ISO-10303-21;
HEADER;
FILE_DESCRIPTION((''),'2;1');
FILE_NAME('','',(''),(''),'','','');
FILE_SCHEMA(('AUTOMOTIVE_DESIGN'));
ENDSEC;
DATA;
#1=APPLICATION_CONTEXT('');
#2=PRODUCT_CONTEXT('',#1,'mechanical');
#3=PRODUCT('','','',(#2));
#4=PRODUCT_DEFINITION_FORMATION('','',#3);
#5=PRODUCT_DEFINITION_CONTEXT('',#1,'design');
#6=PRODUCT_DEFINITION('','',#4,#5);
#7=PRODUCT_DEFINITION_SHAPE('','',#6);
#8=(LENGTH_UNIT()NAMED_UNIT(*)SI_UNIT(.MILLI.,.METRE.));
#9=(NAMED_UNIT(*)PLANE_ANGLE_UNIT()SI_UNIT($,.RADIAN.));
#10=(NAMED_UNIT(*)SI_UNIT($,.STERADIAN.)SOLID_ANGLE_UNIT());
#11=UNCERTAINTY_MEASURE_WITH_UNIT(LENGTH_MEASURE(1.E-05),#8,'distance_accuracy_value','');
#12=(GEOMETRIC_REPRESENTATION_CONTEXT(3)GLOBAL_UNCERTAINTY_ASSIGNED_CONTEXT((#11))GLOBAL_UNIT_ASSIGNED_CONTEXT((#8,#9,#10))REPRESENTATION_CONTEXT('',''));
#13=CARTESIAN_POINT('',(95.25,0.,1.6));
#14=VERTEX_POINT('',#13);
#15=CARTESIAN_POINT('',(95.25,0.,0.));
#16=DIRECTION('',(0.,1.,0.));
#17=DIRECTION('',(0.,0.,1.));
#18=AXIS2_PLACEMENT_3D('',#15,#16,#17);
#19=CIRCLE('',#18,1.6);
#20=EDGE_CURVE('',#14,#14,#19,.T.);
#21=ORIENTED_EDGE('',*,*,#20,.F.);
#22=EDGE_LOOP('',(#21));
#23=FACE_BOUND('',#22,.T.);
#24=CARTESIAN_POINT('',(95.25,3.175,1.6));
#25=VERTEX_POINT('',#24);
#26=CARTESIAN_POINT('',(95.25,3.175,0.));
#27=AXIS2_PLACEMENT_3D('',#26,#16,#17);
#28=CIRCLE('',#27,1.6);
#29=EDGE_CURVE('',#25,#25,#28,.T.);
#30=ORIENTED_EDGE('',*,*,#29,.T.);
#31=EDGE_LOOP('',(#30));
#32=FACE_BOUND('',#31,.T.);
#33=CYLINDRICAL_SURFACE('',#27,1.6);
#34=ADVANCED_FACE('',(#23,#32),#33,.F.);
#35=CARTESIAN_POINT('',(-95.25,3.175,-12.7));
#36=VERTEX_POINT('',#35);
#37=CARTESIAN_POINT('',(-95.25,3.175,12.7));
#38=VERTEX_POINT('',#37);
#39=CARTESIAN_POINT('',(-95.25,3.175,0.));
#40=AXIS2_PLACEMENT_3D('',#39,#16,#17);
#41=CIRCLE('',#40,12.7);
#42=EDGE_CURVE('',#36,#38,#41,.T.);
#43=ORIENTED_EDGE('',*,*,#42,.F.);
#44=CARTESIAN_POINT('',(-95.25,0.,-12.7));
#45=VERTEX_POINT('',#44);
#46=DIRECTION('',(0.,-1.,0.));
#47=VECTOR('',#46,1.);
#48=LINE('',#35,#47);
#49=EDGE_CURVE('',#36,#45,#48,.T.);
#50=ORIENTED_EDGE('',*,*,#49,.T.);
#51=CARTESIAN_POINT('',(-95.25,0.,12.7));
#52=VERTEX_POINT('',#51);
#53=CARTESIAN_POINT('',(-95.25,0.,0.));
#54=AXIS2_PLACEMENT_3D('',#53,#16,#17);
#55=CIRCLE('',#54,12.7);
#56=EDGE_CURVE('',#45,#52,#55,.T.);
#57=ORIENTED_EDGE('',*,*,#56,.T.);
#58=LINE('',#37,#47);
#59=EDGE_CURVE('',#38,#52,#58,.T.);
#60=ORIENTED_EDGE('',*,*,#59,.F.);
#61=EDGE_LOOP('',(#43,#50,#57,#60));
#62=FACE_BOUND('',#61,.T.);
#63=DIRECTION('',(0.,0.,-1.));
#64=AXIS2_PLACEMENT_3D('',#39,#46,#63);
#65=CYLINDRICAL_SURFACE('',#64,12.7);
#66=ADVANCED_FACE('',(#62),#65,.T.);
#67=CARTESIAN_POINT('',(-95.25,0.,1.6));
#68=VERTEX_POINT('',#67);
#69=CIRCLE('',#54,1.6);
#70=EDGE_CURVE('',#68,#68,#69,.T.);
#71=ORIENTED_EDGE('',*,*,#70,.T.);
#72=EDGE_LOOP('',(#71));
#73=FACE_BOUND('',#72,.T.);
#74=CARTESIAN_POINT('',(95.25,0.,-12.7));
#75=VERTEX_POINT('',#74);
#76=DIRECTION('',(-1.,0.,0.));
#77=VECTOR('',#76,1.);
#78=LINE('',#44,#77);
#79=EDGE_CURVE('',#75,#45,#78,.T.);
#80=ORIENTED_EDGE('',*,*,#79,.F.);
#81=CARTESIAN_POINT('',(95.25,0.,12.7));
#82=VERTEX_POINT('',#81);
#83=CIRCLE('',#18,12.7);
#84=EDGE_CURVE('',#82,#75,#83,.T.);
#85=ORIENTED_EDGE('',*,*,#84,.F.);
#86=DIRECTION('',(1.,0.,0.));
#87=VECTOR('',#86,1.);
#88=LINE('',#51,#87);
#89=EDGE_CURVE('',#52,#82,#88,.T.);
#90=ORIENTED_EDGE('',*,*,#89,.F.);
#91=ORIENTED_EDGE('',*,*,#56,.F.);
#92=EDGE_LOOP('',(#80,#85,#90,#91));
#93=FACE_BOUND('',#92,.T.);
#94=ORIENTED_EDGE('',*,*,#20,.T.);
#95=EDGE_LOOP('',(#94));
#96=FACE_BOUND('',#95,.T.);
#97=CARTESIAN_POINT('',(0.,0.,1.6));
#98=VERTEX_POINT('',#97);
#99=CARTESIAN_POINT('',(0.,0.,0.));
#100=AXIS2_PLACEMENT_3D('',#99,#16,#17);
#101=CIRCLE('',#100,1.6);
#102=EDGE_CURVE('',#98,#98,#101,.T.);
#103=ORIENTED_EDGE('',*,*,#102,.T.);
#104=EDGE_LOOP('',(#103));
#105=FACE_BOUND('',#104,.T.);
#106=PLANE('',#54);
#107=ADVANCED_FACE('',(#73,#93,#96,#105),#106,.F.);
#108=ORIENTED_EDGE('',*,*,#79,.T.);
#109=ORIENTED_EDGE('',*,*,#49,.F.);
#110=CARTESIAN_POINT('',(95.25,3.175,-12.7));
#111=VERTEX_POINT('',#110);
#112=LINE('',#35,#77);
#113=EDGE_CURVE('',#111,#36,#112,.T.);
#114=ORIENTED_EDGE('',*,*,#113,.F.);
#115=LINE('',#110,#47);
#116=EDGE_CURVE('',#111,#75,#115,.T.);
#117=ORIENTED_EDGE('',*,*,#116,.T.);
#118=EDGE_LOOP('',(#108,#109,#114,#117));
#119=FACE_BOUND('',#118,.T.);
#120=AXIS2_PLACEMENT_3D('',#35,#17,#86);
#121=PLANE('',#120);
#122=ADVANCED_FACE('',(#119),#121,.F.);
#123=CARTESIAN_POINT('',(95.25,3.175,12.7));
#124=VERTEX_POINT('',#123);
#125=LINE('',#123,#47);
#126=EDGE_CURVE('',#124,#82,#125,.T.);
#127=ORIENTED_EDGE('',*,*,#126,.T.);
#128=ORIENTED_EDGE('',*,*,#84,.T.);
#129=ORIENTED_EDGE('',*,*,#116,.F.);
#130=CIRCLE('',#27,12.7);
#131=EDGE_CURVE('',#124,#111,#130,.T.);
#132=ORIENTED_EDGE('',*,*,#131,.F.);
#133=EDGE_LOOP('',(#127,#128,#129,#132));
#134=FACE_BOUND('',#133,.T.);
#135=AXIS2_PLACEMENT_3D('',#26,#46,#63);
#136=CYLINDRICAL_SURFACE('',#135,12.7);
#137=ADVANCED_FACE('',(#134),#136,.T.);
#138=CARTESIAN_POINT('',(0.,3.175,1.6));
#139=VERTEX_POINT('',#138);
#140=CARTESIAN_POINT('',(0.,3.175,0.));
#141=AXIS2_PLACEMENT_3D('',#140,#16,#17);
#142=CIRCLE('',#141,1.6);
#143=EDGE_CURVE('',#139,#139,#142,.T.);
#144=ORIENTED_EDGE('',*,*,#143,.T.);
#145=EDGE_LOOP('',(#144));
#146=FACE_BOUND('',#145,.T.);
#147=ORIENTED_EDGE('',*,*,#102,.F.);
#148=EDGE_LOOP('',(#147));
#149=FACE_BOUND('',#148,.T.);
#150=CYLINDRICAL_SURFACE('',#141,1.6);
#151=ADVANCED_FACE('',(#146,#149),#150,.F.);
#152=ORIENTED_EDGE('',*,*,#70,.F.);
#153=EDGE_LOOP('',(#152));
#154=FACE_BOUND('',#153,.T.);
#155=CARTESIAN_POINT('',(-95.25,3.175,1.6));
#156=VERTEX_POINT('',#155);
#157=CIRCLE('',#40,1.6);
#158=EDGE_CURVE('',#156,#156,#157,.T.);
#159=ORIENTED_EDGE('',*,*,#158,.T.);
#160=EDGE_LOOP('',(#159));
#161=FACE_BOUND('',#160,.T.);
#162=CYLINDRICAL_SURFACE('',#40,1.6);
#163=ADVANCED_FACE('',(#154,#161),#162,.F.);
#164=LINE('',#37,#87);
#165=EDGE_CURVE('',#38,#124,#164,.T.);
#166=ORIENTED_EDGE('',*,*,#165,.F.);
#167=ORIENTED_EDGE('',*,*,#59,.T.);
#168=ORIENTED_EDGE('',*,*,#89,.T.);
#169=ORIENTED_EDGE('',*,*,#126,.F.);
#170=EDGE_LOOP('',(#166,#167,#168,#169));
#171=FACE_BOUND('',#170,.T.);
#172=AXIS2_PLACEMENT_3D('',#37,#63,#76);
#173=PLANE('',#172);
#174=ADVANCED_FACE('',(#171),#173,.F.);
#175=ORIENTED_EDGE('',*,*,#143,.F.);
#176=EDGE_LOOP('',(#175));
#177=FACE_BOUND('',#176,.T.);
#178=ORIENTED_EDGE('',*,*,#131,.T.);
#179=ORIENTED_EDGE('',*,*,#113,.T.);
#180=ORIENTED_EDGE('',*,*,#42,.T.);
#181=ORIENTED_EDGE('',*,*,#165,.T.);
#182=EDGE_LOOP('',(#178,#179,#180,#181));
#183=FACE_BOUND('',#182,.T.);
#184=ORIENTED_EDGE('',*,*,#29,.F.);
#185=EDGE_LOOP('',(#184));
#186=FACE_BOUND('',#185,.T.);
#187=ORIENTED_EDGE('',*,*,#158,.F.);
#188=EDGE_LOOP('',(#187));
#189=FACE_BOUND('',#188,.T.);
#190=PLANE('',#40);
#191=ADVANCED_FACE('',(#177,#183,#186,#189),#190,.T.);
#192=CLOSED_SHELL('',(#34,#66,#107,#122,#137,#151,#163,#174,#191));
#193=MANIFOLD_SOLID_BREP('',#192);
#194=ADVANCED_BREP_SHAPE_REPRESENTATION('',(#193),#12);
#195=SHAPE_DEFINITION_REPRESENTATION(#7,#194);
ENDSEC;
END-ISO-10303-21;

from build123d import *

# Parameters (mm, degrees)
BOSS_EXTRUDE1_DEPTH  = 3.175
M3_CLEARANCE_HOLE1_D = 3.2


with BuildPart() as part:
    # Sketch1 → Boss-Extrude1 (new body)
    with BuildSketch(Plane(origin=(0, 0, 0), x_dir=(1, 0, 0), z_dir=(0, 1, 0))):
        with BuildLine():
            Line((-95.25, 12.7), (95.25, 12.7))
            ThreePointArc((95.25, 12.7), (107.95, 0), (95.25, -12.7))
            Line((95.25, -12.7), (-95.25, -12.7))
            ThreePointArc((-95.25, -12.7), (-107.95, 0), (-95.25, 12.7))
        make_face()
    extrude(amount=BOSS_EXTRUDE1_DEPTH)

    # M3 Clearance Hole1 (through all)
    with Locations(Plane(origin=(0, 3.175, 0), x_dir=(1, 0, 0), z_dir=(0, 1, 0))):
        with Locations((-95.25, 0), (0, 0), (95.25, 0)):
            Hole(M3_CLEARANCE_HOLE1_D / 2)


solid = part.part
